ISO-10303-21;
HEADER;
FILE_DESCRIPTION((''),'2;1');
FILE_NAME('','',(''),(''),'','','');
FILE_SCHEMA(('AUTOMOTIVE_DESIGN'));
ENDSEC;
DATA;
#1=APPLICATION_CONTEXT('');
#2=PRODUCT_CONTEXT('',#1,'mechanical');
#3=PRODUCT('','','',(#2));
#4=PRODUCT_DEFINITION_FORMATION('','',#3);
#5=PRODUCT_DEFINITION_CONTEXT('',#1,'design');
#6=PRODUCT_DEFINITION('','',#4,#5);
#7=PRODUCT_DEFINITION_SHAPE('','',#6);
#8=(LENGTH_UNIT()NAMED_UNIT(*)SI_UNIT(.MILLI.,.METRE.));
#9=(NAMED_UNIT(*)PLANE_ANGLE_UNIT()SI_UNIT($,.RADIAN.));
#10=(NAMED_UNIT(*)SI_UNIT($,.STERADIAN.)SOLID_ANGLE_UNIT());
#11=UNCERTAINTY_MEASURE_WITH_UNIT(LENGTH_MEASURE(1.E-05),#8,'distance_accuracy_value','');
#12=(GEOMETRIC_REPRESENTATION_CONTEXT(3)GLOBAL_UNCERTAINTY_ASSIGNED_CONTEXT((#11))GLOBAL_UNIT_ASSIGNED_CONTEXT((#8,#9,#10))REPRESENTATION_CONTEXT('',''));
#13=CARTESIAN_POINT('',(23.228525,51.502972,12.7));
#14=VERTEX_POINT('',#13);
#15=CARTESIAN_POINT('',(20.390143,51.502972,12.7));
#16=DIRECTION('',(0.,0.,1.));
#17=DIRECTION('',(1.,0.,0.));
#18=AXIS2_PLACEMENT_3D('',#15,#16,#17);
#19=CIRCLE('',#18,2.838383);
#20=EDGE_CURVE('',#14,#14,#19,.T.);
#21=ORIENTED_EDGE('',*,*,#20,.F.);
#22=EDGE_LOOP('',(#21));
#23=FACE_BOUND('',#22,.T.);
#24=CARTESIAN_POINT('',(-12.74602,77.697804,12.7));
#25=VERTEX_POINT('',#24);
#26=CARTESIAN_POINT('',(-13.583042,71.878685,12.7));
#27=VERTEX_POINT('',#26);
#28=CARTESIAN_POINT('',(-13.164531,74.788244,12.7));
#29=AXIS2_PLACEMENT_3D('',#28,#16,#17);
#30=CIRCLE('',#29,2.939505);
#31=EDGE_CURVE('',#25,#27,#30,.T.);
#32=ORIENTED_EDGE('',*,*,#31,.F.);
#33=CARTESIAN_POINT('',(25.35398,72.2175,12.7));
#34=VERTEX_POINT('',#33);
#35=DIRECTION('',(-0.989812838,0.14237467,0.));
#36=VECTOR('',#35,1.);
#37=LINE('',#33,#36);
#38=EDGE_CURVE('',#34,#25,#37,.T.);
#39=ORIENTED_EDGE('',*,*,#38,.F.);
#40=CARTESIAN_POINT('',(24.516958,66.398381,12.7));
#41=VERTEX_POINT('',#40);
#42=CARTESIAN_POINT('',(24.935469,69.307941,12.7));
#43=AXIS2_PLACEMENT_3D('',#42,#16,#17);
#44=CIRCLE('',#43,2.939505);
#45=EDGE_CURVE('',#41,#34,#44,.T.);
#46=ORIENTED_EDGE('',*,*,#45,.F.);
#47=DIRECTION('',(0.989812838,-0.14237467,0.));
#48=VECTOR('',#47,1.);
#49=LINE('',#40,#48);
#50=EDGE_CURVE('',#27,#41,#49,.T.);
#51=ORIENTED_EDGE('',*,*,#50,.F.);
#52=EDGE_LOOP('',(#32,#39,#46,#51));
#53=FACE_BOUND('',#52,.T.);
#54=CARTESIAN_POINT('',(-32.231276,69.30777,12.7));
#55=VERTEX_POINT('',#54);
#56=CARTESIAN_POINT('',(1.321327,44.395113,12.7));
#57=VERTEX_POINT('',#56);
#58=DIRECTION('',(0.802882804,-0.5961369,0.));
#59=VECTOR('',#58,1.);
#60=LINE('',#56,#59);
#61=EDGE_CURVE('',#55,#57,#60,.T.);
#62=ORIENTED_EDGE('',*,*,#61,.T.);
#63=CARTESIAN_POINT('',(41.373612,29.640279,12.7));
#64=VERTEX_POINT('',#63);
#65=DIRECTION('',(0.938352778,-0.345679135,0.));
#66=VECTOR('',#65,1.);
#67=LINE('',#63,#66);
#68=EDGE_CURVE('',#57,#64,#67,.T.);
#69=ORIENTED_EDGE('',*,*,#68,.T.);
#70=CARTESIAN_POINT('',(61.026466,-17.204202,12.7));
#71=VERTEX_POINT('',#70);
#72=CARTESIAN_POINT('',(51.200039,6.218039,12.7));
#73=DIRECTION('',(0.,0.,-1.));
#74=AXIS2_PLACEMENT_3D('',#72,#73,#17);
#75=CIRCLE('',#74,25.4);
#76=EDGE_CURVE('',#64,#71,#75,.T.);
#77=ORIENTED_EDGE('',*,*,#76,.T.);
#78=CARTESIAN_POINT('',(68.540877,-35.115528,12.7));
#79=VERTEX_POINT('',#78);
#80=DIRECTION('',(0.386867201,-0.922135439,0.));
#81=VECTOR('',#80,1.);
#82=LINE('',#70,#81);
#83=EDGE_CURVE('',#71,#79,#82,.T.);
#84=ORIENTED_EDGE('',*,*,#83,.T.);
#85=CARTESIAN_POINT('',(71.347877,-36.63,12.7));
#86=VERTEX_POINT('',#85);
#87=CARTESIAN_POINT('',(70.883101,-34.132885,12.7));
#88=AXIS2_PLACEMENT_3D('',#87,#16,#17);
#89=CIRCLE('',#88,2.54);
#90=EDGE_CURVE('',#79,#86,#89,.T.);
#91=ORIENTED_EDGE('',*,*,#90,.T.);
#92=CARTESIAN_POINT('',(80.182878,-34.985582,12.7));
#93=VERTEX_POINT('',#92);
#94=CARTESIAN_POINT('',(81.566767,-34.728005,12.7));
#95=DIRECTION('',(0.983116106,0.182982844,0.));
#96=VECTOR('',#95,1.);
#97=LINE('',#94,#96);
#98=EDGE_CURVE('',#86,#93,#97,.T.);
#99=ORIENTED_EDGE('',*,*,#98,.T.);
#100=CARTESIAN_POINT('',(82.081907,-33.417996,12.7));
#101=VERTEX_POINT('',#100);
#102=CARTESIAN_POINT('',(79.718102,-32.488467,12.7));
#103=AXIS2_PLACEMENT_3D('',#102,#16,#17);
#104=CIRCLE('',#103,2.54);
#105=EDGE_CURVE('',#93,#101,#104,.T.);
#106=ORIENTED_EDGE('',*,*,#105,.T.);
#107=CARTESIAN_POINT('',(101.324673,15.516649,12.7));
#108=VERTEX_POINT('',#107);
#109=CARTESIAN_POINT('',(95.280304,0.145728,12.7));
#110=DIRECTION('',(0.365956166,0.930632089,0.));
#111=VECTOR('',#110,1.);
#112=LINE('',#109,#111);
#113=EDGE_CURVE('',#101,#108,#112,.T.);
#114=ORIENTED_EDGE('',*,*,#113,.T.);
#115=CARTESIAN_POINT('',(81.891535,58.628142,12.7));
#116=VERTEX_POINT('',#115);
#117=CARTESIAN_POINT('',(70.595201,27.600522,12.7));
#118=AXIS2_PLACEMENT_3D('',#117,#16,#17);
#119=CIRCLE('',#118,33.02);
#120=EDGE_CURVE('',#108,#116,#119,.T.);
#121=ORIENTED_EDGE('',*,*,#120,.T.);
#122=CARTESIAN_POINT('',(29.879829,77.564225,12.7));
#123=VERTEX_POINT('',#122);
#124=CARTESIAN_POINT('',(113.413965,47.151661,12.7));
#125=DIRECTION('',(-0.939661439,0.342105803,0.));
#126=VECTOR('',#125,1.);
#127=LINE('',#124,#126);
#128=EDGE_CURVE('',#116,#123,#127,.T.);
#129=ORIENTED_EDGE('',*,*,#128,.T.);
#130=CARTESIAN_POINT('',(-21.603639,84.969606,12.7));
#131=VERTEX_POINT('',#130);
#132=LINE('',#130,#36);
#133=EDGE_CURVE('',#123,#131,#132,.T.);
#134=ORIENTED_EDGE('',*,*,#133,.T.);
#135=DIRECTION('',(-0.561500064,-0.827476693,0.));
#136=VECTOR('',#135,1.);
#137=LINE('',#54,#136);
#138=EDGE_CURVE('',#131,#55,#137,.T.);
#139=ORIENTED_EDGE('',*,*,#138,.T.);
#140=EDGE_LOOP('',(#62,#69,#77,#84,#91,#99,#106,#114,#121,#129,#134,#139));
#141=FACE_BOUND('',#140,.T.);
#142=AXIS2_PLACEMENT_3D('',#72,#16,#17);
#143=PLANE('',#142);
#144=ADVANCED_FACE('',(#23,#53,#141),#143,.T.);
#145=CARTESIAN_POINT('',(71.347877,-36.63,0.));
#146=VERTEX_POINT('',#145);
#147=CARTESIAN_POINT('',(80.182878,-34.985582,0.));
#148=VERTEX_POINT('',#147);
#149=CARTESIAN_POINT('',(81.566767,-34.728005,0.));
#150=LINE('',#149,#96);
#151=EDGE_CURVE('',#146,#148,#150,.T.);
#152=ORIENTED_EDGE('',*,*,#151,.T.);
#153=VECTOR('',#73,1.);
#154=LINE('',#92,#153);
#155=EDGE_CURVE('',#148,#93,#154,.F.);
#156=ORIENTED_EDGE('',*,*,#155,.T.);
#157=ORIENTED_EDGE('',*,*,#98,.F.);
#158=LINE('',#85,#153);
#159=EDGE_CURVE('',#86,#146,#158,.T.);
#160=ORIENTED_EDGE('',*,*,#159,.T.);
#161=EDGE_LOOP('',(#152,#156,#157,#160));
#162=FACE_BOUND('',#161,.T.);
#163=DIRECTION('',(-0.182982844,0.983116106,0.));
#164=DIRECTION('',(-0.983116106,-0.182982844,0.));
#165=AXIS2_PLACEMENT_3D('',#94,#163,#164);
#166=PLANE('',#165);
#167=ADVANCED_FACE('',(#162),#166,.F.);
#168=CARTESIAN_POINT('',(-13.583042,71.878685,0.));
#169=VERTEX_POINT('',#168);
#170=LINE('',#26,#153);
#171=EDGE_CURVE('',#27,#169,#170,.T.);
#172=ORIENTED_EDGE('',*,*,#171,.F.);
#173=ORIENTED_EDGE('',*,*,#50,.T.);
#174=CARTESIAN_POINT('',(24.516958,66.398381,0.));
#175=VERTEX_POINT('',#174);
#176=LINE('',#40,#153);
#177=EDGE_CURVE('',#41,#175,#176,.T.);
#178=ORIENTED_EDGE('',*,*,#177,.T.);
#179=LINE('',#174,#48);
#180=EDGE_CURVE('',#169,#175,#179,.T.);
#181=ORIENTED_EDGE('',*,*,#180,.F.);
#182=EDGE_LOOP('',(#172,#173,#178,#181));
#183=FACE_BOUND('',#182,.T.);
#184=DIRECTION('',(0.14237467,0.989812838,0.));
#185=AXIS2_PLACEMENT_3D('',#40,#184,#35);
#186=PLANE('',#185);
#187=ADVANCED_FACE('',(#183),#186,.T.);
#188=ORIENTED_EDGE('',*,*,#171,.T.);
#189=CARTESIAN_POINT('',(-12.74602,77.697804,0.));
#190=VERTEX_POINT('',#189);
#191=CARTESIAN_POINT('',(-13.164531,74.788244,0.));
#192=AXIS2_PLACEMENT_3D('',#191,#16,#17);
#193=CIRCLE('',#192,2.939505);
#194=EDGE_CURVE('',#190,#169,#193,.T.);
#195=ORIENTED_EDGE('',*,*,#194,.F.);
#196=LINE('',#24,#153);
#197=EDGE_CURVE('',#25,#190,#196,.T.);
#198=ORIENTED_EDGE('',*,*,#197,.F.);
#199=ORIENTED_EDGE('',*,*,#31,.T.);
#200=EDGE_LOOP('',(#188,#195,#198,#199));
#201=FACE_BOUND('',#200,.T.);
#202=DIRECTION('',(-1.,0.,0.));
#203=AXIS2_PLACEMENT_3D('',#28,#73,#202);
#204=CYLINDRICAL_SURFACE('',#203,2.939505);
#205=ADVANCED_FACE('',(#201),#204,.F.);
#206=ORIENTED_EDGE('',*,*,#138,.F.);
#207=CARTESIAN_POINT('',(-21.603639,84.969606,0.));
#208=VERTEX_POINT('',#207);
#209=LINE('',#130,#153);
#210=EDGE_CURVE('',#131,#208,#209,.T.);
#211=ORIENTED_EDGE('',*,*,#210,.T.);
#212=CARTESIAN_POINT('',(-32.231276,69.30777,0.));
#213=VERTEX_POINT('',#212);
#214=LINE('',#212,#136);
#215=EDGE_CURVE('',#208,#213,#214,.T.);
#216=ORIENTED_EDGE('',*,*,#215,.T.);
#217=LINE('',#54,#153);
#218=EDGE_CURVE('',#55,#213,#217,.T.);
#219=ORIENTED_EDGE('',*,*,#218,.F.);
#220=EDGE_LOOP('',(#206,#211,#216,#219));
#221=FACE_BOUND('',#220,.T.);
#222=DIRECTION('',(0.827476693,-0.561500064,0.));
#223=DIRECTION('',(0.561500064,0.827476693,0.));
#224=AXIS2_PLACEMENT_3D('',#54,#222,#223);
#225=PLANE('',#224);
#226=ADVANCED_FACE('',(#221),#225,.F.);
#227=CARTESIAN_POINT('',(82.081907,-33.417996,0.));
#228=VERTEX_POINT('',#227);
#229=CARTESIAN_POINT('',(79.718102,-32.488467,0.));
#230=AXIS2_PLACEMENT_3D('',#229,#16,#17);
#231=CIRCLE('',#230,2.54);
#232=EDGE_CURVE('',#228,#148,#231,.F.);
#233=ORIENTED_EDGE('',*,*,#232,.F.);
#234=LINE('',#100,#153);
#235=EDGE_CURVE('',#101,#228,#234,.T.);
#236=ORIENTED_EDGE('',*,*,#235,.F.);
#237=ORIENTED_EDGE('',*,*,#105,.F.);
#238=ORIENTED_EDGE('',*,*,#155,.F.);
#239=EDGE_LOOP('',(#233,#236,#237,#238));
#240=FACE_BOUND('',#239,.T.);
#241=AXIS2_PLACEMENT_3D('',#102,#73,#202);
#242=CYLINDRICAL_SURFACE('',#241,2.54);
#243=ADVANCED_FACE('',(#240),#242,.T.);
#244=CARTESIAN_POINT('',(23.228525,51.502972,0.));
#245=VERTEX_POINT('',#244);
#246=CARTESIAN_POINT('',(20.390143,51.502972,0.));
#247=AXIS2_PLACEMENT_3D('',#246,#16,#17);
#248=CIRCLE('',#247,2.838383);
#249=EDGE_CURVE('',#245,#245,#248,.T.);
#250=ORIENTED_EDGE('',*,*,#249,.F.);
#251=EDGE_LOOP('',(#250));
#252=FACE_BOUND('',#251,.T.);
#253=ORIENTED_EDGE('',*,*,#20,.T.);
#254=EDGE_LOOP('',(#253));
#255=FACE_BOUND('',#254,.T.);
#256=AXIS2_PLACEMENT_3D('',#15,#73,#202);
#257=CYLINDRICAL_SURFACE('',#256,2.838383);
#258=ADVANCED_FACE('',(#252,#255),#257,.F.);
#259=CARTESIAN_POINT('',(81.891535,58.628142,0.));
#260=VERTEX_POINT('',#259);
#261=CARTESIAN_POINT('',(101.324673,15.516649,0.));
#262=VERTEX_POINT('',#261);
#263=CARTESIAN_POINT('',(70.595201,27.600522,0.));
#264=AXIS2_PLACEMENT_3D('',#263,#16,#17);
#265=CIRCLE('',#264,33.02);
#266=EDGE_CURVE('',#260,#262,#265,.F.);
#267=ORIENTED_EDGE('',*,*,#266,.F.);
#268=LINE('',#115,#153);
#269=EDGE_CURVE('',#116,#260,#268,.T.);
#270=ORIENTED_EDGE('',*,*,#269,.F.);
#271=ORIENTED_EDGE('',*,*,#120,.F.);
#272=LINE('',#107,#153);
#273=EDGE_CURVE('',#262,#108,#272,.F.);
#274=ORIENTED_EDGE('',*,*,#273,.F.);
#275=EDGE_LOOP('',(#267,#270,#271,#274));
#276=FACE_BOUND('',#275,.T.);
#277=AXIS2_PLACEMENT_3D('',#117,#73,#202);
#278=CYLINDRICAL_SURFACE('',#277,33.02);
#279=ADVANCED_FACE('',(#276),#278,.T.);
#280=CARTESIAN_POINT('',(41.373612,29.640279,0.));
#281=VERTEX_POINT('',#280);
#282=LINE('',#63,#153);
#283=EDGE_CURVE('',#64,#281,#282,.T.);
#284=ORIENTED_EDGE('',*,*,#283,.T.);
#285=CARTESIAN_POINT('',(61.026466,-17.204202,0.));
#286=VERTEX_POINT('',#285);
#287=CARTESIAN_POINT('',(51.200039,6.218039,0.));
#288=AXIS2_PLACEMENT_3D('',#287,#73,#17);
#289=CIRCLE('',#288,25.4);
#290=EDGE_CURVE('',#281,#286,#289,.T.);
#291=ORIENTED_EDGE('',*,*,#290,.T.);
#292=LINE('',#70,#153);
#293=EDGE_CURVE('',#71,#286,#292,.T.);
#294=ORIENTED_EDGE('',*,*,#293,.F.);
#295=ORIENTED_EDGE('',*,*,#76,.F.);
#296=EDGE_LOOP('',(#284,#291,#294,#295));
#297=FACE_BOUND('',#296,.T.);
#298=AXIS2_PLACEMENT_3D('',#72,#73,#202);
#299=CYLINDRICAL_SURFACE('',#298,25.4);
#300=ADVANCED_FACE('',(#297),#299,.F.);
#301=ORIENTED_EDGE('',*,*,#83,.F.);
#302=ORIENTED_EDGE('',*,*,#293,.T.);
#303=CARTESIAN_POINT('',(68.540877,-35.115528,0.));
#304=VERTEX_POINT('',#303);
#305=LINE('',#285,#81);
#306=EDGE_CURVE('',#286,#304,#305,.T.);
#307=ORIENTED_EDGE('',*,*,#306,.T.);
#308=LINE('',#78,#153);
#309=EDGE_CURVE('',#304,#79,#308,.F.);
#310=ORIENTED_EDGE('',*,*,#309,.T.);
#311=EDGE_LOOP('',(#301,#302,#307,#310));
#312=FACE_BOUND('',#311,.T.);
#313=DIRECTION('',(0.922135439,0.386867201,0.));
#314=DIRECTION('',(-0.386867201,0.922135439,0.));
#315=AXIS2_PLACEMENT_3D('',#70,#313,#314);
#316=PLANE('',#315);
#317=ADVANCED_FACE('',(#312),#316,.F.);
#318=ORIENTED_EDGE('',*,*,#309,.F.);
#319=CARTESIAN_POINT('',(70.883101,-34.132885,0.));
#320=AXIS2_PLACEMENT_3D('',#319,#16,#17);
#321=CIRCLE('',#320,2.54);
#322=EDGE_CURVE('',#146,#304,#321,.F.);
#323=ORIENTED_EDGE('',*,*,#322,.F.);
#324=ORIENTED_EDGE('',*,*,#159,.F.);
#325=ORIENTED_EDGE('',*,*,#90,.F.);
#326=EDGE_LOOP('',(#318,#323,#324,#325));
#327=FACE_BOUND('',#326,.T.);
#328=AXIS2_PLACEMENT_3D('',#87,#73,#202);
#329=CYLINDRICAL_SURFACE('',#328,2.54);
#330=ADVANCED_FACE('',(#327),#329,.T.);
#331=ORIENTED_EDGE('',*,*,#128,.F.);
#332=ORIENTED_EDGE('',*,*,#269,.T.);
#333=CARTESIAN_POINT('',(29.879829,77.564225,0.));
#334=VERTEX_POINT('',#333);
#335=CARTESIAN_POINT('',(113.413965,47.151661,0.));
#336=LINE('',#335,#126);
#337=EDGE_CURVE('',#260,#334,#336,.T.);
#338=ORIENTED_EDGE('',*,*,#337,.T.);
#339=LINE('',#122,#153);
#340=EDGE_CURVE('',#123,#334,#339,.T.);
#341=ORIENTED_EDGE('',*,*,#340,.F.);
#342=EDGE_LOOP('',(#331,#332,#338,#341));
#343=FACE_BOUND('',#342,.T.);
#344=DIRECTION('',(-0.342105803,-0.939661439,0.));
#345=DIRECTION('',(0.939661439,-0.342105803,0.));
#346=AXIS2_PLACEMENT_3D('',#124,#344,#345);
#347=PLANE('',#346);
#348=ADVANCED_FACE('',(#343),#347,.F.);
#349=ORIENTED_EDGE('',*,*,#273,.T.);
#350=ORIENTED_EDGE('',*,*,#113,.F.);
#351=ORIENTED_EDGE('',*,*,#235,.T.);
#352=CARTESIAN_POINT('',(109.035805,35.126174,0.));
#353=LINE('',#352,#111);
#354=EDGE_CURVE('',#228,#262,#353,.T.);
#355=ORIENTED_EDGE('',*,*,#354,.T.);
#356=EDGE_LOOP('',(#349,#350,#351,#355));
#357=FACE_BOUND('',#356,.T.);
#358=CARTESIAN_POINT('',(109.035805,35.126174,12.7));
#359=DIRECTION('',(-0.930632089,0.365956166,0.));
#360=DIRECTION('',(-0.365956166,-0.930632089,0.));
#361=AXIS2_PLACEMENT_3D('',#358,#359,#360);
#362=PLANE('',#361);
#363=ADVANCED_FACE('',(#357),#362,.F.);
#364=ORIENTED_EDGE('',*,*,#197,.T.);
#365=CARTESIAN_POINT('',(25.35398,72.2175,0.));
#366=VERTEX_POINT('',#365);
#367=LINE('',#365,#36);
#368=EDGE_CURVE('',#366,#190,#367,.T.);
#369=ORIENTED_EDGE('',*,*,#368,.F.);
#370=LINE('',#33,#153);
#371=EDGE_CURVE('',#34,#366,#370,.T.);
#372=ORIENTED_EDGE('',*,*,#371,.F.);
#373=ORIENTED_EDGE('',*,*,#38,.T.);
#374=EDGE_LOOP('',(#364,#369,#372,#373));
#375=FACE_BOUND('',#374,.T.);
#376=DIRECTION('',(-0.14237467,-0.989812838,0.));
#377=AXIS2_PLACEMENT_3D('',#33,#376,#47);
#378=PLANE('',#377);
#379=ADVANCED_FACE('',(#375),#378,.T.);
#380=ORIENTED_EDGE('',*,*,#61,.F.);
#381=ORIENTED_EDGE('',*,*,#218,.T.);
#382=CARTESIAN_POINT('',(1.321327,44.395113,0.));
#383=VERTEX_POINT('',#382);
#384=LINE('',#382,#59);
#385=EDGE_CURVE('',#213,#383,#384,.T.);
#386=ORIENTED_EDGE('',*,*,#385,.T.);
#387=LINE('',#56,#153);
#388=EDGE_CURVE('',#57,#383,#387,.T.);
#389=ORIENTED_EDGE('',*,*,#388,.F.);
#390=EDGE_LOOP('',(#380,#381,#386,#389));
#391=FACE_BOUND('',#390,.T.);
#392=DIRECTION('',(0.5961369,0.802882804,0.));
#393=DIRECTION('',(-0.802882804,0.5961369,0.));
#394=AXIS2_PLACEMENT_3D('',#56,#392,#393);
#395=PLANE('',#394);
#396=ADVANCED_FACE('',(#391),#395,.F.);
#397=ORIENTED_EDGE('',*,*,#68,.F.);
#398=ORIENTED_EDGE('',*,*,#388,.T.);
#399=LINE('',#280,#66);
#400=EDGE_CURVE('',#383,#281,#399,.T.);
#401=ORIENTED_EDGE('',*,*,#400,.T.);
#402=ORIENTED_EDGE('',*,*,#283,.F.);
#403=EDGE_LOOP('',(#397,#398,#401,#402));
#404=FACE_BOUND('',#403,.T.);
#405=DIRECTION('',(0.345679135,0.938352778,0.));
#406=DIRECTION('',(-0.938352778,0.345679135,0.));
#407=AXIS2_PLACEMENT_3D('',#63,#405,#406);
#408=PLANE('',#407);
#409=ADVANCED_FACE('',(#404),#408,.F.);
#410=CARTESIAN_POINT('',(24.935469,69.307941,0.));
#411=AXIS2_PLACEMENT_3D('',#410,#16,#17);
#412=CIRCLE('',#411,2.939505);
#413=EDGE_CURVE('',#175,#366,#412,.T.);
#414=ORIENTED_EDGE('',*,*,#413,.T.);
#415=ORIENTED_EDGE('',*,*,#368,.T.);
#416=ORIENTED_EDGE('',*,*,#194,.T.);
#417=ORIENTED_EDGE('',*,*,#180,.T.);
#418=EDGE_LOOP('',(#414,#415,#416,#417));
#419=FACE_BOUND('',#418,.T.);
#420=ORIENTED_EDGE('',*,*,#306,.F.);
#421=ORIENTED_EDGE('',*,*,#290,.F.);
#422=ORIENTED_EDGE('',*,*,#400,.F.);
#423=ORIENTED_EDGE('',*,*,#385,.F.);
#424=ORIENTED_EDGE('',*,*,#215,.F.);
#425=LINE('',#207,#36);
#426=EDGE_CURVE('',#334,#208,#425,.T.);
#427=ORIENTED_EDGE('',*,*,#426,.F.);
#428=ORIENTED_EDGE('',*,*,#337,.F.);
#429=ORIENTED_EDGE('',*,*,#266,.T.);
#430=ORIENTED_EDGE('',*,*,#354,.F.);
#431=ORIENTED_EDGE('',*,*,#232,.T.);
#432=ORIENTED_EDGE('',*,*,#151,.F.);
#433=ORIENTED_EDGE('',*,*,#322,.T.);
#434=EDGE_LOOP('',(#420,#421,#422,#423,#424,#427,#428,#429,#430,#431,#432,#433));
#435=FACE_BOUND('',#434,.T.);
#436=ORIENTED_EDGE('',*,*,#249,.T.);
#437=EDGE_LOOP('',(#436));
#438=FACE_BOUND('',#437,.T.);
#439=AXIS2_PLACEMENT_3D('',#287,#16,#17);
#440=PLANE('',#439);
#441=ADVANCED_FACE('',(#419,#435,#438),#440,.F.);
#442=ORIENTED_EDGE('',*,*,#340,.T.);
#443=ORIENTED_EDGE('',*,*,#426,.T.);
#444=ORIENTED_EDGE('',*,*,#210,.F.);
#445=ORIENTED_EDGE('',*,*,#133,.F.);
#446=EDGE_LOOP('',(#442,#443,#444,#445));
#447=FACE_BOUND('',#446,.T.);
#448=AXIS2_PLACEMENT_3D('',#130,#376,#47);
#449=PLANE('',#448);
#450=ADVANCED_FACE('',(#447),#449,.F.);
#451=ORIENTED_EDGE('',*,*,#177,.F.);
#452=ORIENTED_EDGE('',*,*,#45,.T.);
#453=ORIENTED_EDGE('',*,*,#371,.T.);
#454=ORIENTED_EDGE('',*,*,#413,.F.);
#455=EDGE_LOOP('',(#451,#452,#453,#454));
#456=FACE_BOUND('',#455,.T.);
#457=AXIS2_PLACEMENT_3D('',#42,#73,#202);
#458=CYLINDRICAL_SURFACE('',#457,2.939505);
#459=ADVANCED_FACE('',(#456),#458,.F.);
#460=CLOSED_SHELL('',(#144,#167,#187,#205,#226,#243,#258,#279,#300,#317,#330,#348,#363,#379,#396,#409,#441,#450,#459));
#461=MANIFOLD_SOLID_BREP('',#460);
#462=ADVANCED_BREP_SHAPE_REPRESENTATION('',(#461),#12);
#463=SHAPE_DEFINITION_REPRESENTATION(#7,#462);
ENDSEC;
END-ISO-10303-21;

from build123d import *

# Parameters (mm, degrees)
SKETCH1_R           = 2.838382548
BOSS_EXTRUDE2_DEPTH = 12.7
FILLET5_R           = 33.02
FILLET7_R           = 2.54


with BuildPart() as part:
    # Sketch1 → Boss-Extrude2 (new body)
    with BuildSketch(Plane.XY):
        with BuildLine():
            Line((-21.603638559, 84.96960614), (29.87982891, 77.564224626))
            Line((29.87982891, 77.564224626), (113.413965473, 47.151661477))
            Line((113.413965473, 47.151661477), (109.035804568, 35.126174209))
            Line((109.035804568, 35.126174209), (95.280304394, 0.145728286))
            Line((95.280304394, 0.145728286), (81.56676708, -34.728005444))
            Line((81.56676708, -34.728005444), (69.33354083, -37.004919145))
            Line((69.33354083, -37.004919145), (61.026465875, -17.204201513))
            ThreePointArc((61.026465875, -17.204201513), (76.334091657, 9.884016708), (53.926809391, 31.471250781))
            ThreePointArc((53.926809391, 31.471250781), (47.534060902, 31.352091343), (41.37361205, 29.640278808))
            Line((41.37361205, 29.640278808), (1.321326785, 44.395112668))
            Line((1.321326785, 44.395112668), (-32.231275521, 69.307770201))
            Line((-32.231275521, 69.307770201), (-21.603638559, 84.96960614))
        make_face()
        with Locations((20.390142766, 51.502972215)):
            Circle(SKETCH1_R, mode=Mode.SUBTRACT)
        with BuildLine():
            Line((24.516957739, 66.398380962), (-13.583042261, 71.878684632))
            ThreePointArc((-13.583042261, 71.878684632), (-16.074090815, 75.206755234), (-12.746020212, 77.697803788))
            Line((-12.746020212, 77.697803788), (25.353979788, 72.217500118))
            ThreePointArc((25.353979788, 72.217500118), (27.845028342, 68.889429516), (24.516957739, 66.398380962))
        make_face(mode=Mode.SUBTRACT)
    extrude(amount=BOSS_EXTRUDE2_DEPTH)

    # Fillet5
    fillet5_edges = [part.edges().sort_by_distance(p)[0] for p in [
        (113.413965473, 47.151661477, 6.35),
    ]]
    fillet(fillet5_edges, radius=FILLET5_R)

    # Fillet7
    fillet7_edges = [part.edges().sort_by_distance(p)[0] for p in [
        (81.56676708, -34.728005444, 6.35),
        (69.33354083, -37.004919145, 6.35),
    ]]
    fillet(fillet7_edges, radius=FILLET7_R)


solid = part.part
